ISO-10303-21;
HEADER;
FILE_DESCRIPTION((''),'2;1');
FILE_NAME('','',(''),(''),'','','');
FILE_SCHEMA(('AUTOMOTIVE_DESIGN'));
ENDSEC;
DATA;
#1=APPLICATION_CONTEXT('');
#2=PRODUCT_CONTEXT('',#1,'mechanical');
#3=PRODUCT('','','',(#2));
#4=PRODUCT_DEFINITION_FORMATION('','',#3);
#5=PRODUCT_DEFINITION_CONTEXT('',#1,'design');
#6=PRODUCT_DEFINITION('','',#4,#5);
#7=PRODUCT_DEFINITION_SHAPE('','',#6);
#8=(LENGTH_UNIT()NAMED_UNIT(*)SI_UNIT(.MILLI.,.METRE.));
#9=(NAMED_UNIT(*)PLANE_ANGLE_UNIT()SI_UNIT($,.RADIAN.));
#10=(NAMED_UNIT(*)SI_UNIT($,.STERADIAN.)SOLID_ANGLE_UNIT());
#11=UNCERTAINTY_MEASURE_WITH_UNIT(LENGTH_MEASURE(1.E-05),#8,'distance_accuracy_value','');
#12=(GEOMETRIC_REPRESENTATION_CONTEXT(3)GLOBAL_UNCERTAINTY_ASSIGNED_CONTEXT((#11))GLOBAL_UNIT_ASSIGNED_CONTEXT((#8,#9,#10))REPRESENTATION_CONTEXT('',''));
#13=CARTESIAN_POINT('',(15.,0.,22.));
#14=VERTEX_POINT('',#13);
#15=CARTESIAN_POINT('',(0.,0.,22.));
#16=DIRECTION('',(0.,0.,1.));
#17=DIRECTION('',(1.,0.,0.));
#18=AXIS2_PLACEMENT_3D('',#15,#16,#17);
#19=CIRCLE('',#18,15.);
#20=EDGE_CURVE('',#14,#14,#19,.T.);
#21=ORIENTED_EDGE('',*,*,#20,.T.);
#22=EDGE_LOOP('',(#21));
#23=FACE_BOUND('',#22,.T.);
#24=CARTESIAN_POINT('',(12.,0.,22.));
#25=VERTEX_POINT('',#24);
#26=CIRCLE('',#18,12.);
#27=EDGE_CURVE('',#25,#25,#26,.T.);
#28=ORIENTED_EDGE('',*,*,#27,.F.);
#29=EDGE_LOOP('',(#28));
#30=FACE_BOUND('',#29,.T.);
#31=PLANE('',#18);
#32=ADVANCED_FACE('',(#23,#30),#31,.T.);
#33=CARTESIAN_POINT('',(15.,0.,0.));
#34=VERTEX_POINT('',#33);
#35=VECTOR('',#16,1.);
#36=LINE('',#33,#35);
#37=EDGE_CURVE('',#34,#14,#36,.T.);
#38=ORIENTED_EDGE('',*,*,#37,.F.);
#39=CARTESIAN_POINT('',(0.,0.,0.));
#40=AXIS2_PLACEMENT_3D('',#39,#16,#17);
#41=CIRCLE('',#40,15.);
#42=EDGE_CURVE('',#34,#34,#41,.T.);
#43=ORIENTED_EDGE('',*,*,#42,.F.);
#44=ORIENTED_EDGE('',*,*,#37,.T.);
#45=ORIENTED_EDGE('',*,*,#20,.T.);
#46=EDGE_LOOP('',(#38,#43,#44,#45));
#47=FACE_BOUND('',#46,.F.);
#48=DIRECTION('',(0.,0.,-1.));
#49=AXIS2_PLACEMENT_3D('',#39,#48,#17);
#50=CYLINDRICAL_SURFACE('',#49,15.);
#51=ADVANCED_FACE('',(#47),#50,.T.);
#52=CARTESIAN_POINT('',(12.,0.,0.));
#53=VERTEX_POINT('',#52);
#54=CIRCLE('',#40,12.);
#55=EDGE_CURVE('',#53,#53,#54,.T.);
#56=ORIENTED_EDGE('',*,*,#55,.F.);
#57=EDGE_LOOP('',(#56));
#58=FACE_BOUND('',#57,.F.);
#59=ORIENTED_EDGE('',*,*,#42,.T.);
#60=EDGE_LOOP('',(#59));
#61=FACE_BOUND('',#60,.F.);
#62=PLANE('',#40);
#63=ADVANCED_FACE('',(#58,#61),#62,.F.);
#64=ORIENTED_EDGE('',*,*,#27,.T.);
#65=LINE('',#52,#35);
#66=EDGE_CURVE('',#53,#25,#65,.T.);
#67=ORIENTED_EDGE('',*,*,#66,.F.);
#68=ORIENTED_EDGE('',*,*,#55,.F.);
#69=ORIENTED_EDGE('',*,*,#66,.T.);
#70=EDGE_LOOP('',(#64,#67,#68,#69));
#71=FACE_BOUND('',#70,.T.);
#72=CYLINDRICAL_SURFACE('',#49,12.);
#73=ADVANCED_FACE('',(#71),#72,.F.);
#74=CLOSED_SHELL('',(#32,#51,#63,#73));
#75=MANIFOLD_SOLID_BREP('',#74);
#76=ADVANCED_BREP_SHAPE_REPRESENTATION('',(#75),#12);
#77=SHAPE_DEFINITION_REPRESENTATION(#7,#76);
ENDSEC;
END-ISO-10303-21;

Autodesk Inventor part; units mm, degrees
ref_plane "YZ Plane" through (0, 0, 0) normal (1, 0, 0) x (0, 1, 0)
ref_plane "XZ Plane" through (0, 0, 0) normal (0, 1, 0) x (-1, 0, 0)
ref_plane "XY Plane" through (0, 0, 0) normal (0, 0, 1) x (1, 0, 0)
sketch "Náčrt1" plane through (0, 0, 0) normal (0, 0, 1) x (1, 0, 0)
  circle A0 centre (0, 0) radius 12
  circle A1 centre (0, 0) radius 15
  dimension "d0" = 24
  dimension "d1" = 30
extrude "Vysunutí1" add sketch "Náčrt1" along normal blind 22
properties part number "silicon bublebum"
